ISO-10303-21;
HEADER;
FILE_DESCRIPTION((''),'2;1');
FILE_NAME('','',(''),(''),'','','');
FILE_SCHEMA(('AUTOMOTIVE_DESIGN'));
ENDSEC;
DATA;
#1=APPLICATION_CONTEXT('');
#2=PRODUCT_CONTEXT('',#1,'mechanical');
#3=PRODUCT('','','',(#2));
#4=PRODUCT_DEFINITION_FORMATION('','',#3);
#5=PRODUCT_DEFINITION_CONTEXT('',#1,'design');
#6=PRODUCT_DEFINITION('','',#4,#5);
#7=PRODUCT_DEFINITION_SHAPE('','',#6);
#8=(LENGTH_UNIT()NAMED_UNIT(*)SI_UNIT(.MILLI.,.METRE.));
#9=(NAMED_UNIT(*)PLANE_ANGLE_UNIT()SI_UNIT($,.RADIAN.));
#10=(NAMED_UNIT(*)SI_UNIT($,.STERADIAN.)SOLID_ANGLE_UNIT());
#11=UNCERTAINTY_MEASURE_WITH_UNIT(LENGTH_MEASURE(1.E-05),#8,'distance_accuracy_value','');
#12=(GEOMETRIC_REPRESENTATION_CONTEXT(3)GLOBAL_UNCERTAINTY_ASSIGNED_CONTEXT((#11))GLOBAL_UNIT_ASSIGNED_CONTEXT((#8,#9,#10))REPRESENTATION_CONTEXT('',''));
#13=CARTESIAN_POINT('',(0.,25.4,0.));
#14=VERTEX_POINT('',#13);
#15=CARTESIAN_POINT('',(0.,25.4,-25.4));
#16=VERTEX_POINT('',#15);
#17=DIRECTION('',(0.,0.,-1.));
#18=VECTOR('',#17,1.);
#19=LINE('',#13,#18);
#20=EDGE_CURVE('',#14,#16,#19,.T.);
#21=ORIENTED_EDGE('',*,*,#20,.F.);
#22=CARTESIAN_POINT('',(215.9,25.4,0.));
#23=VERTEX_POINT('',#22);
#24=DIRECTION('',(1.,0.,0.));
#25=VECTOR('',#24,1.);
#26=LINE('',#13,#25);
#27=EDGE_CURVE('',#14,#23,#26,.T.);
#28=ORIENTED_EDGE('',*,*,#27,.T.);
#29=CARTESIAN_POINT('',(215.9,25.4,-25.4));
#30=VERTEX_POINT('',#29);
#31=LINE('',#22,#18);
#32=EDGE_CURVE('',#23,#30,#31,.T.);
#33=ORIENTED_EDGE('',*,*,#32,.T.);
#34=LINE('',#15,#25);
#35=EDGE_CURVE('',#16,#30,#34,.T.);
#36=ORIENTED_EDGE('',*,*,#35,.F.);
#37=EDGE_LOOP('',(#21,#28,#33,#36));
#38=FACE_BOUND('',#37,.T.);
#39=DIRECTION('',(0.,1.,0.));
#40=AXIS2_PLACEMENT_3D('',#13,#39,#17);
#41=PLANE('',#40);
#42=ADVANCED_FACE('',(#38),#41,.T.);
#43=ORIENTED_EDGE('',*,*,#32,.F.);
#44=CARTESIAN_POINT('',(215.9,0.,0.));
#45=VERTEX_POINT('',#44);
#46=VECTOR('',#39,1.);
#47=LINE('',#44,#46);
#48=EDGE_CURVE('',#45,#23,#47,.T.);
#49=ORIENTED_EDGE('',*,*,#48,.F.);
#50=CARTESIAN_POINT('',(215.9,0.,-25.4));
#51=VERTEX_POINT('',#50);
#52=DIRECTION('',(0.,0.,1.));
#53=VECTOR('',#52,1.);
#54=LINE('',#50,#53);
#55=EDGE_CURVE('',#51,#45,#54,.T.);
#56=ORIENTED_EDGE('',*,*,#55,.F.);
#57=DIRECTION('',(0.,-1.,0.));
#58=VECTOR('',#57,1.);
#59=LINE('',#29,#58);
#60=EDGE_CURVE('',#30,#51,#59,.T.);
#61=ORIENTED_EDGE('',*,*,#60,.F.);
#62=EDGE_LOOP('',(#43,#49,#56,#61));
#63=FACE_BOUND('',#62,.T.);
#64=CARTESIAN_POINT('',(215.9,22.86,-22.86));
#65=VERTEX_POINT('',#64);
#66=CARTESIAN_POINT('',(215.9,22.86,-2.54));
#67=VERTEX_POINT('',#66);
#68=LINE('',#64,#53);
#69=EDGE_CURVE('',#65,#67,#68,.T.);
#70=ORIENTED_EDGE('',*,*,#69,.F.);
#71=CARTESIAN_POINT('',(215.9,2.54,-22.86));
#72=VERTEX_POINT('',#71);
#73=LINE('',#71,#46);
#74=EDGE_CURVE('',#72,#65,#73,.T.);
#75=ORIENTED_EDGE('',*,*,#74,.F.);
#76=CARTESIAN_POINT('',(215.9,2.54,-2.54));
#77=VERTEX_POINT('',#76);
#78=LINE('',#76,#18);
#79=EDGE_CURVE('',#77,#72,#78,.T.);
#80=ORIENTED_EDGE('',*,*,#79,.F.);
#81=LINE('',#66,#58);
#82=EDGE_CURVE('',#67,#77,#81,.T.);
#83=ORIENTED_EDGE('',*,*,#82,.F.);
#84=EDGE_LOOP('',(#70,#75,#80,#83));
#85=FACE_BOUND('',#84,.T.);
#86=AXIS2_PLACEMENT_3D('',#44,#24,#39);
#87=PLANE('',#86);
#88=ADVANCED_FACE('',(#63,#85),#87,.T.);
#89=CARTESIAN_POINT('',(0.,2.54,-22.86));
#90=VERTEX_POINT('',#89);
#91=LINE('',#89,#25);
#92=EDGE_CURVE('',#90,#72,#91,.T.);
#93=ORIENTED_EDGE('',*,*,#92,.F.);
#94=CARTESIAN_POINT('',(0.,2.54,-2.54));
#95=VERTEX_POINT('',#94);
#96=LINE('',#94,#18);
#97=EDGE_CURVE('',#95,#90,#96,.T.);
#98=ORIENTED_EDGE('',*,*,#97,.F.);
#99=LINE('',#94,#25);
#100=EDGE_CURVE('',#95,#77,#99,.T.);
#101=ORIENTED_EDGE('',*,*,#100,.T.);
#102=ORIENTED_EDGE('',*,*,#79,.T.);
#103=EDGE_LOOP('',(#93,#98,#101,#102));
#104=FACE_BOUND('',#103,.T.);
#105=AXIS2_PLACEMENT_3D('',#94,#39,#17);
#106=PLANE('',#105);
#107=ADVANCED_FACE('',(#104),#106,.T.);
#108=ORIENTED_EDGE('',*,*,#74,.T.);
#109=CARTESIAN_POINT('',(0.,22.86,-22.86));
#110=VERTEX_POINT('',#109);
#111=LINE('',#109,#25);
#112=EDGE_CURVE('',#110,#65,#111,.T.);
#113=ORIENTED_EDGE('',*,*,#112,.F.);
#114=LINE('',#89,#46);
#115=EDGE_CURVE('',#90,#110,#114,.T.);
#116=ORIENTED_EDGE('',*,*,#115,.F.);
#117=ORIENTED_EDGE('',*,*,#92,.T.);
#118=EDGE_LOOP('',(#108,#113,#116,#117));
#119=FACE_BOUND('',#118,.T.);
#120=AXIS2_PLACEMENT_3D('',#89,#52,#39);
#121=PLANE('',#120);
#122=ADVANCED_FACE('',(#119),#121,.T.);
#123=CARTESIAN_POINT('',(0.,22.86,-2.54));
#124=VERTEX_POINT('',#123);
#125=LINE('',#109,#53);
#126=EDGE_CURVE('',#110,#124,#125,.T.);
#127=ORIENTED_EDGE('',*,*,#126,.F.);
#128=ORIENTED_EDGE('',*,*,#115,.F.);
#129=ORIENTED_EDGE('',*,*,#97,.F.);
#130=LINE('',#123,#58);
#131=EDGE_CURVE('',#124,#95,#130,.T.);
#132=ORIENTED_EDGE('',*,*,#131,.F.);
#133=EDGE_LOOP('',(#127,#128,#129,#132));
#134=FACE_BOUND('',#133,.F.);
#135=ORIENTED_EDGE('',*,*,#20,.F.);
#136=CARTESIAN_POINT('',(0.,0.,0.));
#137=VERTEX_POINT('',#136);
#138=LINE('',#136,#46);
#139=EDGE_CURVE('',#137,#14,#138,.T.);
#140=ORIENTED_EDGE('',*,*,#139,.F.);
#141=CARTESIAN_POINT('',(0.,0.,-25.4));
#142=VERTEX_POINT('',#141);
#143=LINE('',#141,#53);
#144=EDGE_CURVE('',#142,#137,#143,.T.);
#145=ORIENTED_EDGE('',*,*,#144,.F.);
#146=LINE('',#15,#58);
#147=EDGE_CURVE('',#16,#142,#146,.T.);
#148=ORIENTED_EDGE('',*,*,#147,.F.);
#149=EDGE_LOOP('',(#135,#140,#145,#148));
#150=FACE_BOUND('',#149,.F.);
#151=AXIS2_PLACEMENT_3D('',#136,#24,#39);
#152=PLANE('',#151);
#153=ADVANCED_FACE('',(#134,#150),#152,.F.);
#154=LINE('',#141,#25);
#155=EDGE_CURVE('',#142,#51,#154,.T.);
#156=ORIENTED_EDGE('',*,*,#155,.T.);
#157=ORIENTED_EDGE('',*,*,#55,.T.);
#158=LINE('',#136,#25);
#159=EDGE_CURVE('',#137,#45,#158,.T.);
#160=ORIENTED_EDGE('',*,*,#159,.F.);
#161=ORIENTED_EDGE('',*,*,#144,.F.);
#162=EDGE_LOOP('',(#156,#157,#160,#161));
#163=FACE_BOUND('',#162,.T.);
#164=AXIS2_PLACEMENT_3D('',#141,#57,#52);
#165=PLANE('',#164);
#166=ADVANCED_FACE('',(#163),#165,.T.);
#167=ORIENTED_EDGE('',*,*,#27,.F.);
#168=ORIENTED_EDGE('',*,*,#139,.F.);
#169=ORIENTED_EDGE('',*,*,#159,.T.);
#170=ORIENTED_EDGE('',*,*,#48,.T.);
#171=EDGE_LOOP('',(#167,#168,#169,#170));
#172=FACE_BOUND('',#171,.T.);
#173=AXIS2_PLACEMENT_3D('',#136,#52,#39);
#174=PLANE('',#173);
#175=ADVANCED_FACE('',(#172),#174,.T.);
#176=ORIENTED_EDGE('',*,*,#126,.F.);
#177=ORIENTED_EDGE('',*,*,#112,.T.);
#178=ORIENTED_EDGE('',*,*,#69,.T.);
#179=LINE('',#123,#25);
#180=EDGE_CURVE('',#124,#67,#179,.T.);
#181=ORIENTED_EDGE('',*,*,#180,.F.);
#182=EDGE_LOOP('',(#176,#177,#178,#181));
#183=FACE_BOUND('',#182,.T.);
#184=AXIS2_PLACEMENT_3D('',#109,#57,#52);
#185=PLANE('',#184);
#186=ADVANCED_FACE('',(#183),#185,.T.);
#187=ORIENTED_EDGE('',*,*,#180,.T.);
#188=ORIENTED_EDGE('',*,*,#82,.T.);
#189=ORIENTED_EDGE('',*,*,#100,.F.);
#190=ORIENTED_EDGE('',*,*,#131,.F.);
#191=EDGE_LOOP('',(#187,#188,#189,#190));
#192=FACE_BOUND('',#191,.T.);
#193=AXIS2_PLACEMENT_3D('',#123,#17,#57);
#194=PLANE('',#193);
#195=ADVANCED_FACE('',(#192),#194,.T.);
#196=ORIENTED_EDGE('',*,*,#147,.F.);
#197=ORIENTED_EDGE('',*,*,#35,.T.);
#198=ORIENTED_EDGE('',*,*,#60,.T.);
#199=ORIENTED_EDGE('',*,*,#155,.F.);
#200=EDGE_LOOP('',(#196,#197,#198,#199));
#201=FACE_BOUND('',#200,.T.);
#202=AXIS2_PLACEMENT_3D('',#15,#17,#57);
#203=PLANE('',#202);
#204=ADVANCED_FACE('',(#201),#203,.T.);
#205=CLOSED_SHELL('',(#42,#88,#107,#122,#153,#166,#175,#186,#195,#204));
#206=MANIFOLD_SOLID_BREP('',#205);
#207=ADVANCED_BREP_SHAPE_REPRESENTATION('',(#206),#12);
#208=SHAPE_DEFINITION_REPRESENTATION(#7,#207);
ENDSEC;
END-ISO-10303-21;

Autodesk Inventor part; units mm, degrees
ref_plane "YZ Plane" through (0, 0, 0) normal (1, 0, 0) x (0, 1, 0)
ref_plane "XZ Plane" through (0, 0, 0) normal (0, 1, 0) x (-1, 0, 0)
ref_plane "XY Plane" through (0, 0, 0) normal (0, 0, 1) x (1, 0, 0)
sketch "Sketch1" plane through (0, 0, 0) normal (1, 0, 0) x (0, 1, 0)
  line L0 (0, 0) -> (25.4, 0)
  line L1 (25.4, 0) -> (25.4, -25.4)
  line L2 (25.4, -25.4) -> (0, -25.4)
  line L3 (0, -25.4) -> (0, 0)
  line L4 (22.86, -22.86) -> (22.86, -2.54)
  line L5 (22.86, -2.54) -> (2.54, -2.54)
  line L6 (2.54, -2.54) -> (2.54, -22.86)
  line L7 (2.54, -22.86) -> (22.86, -22.86)
  dimension "d0" = 25.4
  dimension "d1" = 25.4
  dimension "d2" = 2.54
extrude "Extrusion1" add sketch "Sketch1" along normal blind 215.9
properties part number "mounting thing2" material "UHMW, White"
